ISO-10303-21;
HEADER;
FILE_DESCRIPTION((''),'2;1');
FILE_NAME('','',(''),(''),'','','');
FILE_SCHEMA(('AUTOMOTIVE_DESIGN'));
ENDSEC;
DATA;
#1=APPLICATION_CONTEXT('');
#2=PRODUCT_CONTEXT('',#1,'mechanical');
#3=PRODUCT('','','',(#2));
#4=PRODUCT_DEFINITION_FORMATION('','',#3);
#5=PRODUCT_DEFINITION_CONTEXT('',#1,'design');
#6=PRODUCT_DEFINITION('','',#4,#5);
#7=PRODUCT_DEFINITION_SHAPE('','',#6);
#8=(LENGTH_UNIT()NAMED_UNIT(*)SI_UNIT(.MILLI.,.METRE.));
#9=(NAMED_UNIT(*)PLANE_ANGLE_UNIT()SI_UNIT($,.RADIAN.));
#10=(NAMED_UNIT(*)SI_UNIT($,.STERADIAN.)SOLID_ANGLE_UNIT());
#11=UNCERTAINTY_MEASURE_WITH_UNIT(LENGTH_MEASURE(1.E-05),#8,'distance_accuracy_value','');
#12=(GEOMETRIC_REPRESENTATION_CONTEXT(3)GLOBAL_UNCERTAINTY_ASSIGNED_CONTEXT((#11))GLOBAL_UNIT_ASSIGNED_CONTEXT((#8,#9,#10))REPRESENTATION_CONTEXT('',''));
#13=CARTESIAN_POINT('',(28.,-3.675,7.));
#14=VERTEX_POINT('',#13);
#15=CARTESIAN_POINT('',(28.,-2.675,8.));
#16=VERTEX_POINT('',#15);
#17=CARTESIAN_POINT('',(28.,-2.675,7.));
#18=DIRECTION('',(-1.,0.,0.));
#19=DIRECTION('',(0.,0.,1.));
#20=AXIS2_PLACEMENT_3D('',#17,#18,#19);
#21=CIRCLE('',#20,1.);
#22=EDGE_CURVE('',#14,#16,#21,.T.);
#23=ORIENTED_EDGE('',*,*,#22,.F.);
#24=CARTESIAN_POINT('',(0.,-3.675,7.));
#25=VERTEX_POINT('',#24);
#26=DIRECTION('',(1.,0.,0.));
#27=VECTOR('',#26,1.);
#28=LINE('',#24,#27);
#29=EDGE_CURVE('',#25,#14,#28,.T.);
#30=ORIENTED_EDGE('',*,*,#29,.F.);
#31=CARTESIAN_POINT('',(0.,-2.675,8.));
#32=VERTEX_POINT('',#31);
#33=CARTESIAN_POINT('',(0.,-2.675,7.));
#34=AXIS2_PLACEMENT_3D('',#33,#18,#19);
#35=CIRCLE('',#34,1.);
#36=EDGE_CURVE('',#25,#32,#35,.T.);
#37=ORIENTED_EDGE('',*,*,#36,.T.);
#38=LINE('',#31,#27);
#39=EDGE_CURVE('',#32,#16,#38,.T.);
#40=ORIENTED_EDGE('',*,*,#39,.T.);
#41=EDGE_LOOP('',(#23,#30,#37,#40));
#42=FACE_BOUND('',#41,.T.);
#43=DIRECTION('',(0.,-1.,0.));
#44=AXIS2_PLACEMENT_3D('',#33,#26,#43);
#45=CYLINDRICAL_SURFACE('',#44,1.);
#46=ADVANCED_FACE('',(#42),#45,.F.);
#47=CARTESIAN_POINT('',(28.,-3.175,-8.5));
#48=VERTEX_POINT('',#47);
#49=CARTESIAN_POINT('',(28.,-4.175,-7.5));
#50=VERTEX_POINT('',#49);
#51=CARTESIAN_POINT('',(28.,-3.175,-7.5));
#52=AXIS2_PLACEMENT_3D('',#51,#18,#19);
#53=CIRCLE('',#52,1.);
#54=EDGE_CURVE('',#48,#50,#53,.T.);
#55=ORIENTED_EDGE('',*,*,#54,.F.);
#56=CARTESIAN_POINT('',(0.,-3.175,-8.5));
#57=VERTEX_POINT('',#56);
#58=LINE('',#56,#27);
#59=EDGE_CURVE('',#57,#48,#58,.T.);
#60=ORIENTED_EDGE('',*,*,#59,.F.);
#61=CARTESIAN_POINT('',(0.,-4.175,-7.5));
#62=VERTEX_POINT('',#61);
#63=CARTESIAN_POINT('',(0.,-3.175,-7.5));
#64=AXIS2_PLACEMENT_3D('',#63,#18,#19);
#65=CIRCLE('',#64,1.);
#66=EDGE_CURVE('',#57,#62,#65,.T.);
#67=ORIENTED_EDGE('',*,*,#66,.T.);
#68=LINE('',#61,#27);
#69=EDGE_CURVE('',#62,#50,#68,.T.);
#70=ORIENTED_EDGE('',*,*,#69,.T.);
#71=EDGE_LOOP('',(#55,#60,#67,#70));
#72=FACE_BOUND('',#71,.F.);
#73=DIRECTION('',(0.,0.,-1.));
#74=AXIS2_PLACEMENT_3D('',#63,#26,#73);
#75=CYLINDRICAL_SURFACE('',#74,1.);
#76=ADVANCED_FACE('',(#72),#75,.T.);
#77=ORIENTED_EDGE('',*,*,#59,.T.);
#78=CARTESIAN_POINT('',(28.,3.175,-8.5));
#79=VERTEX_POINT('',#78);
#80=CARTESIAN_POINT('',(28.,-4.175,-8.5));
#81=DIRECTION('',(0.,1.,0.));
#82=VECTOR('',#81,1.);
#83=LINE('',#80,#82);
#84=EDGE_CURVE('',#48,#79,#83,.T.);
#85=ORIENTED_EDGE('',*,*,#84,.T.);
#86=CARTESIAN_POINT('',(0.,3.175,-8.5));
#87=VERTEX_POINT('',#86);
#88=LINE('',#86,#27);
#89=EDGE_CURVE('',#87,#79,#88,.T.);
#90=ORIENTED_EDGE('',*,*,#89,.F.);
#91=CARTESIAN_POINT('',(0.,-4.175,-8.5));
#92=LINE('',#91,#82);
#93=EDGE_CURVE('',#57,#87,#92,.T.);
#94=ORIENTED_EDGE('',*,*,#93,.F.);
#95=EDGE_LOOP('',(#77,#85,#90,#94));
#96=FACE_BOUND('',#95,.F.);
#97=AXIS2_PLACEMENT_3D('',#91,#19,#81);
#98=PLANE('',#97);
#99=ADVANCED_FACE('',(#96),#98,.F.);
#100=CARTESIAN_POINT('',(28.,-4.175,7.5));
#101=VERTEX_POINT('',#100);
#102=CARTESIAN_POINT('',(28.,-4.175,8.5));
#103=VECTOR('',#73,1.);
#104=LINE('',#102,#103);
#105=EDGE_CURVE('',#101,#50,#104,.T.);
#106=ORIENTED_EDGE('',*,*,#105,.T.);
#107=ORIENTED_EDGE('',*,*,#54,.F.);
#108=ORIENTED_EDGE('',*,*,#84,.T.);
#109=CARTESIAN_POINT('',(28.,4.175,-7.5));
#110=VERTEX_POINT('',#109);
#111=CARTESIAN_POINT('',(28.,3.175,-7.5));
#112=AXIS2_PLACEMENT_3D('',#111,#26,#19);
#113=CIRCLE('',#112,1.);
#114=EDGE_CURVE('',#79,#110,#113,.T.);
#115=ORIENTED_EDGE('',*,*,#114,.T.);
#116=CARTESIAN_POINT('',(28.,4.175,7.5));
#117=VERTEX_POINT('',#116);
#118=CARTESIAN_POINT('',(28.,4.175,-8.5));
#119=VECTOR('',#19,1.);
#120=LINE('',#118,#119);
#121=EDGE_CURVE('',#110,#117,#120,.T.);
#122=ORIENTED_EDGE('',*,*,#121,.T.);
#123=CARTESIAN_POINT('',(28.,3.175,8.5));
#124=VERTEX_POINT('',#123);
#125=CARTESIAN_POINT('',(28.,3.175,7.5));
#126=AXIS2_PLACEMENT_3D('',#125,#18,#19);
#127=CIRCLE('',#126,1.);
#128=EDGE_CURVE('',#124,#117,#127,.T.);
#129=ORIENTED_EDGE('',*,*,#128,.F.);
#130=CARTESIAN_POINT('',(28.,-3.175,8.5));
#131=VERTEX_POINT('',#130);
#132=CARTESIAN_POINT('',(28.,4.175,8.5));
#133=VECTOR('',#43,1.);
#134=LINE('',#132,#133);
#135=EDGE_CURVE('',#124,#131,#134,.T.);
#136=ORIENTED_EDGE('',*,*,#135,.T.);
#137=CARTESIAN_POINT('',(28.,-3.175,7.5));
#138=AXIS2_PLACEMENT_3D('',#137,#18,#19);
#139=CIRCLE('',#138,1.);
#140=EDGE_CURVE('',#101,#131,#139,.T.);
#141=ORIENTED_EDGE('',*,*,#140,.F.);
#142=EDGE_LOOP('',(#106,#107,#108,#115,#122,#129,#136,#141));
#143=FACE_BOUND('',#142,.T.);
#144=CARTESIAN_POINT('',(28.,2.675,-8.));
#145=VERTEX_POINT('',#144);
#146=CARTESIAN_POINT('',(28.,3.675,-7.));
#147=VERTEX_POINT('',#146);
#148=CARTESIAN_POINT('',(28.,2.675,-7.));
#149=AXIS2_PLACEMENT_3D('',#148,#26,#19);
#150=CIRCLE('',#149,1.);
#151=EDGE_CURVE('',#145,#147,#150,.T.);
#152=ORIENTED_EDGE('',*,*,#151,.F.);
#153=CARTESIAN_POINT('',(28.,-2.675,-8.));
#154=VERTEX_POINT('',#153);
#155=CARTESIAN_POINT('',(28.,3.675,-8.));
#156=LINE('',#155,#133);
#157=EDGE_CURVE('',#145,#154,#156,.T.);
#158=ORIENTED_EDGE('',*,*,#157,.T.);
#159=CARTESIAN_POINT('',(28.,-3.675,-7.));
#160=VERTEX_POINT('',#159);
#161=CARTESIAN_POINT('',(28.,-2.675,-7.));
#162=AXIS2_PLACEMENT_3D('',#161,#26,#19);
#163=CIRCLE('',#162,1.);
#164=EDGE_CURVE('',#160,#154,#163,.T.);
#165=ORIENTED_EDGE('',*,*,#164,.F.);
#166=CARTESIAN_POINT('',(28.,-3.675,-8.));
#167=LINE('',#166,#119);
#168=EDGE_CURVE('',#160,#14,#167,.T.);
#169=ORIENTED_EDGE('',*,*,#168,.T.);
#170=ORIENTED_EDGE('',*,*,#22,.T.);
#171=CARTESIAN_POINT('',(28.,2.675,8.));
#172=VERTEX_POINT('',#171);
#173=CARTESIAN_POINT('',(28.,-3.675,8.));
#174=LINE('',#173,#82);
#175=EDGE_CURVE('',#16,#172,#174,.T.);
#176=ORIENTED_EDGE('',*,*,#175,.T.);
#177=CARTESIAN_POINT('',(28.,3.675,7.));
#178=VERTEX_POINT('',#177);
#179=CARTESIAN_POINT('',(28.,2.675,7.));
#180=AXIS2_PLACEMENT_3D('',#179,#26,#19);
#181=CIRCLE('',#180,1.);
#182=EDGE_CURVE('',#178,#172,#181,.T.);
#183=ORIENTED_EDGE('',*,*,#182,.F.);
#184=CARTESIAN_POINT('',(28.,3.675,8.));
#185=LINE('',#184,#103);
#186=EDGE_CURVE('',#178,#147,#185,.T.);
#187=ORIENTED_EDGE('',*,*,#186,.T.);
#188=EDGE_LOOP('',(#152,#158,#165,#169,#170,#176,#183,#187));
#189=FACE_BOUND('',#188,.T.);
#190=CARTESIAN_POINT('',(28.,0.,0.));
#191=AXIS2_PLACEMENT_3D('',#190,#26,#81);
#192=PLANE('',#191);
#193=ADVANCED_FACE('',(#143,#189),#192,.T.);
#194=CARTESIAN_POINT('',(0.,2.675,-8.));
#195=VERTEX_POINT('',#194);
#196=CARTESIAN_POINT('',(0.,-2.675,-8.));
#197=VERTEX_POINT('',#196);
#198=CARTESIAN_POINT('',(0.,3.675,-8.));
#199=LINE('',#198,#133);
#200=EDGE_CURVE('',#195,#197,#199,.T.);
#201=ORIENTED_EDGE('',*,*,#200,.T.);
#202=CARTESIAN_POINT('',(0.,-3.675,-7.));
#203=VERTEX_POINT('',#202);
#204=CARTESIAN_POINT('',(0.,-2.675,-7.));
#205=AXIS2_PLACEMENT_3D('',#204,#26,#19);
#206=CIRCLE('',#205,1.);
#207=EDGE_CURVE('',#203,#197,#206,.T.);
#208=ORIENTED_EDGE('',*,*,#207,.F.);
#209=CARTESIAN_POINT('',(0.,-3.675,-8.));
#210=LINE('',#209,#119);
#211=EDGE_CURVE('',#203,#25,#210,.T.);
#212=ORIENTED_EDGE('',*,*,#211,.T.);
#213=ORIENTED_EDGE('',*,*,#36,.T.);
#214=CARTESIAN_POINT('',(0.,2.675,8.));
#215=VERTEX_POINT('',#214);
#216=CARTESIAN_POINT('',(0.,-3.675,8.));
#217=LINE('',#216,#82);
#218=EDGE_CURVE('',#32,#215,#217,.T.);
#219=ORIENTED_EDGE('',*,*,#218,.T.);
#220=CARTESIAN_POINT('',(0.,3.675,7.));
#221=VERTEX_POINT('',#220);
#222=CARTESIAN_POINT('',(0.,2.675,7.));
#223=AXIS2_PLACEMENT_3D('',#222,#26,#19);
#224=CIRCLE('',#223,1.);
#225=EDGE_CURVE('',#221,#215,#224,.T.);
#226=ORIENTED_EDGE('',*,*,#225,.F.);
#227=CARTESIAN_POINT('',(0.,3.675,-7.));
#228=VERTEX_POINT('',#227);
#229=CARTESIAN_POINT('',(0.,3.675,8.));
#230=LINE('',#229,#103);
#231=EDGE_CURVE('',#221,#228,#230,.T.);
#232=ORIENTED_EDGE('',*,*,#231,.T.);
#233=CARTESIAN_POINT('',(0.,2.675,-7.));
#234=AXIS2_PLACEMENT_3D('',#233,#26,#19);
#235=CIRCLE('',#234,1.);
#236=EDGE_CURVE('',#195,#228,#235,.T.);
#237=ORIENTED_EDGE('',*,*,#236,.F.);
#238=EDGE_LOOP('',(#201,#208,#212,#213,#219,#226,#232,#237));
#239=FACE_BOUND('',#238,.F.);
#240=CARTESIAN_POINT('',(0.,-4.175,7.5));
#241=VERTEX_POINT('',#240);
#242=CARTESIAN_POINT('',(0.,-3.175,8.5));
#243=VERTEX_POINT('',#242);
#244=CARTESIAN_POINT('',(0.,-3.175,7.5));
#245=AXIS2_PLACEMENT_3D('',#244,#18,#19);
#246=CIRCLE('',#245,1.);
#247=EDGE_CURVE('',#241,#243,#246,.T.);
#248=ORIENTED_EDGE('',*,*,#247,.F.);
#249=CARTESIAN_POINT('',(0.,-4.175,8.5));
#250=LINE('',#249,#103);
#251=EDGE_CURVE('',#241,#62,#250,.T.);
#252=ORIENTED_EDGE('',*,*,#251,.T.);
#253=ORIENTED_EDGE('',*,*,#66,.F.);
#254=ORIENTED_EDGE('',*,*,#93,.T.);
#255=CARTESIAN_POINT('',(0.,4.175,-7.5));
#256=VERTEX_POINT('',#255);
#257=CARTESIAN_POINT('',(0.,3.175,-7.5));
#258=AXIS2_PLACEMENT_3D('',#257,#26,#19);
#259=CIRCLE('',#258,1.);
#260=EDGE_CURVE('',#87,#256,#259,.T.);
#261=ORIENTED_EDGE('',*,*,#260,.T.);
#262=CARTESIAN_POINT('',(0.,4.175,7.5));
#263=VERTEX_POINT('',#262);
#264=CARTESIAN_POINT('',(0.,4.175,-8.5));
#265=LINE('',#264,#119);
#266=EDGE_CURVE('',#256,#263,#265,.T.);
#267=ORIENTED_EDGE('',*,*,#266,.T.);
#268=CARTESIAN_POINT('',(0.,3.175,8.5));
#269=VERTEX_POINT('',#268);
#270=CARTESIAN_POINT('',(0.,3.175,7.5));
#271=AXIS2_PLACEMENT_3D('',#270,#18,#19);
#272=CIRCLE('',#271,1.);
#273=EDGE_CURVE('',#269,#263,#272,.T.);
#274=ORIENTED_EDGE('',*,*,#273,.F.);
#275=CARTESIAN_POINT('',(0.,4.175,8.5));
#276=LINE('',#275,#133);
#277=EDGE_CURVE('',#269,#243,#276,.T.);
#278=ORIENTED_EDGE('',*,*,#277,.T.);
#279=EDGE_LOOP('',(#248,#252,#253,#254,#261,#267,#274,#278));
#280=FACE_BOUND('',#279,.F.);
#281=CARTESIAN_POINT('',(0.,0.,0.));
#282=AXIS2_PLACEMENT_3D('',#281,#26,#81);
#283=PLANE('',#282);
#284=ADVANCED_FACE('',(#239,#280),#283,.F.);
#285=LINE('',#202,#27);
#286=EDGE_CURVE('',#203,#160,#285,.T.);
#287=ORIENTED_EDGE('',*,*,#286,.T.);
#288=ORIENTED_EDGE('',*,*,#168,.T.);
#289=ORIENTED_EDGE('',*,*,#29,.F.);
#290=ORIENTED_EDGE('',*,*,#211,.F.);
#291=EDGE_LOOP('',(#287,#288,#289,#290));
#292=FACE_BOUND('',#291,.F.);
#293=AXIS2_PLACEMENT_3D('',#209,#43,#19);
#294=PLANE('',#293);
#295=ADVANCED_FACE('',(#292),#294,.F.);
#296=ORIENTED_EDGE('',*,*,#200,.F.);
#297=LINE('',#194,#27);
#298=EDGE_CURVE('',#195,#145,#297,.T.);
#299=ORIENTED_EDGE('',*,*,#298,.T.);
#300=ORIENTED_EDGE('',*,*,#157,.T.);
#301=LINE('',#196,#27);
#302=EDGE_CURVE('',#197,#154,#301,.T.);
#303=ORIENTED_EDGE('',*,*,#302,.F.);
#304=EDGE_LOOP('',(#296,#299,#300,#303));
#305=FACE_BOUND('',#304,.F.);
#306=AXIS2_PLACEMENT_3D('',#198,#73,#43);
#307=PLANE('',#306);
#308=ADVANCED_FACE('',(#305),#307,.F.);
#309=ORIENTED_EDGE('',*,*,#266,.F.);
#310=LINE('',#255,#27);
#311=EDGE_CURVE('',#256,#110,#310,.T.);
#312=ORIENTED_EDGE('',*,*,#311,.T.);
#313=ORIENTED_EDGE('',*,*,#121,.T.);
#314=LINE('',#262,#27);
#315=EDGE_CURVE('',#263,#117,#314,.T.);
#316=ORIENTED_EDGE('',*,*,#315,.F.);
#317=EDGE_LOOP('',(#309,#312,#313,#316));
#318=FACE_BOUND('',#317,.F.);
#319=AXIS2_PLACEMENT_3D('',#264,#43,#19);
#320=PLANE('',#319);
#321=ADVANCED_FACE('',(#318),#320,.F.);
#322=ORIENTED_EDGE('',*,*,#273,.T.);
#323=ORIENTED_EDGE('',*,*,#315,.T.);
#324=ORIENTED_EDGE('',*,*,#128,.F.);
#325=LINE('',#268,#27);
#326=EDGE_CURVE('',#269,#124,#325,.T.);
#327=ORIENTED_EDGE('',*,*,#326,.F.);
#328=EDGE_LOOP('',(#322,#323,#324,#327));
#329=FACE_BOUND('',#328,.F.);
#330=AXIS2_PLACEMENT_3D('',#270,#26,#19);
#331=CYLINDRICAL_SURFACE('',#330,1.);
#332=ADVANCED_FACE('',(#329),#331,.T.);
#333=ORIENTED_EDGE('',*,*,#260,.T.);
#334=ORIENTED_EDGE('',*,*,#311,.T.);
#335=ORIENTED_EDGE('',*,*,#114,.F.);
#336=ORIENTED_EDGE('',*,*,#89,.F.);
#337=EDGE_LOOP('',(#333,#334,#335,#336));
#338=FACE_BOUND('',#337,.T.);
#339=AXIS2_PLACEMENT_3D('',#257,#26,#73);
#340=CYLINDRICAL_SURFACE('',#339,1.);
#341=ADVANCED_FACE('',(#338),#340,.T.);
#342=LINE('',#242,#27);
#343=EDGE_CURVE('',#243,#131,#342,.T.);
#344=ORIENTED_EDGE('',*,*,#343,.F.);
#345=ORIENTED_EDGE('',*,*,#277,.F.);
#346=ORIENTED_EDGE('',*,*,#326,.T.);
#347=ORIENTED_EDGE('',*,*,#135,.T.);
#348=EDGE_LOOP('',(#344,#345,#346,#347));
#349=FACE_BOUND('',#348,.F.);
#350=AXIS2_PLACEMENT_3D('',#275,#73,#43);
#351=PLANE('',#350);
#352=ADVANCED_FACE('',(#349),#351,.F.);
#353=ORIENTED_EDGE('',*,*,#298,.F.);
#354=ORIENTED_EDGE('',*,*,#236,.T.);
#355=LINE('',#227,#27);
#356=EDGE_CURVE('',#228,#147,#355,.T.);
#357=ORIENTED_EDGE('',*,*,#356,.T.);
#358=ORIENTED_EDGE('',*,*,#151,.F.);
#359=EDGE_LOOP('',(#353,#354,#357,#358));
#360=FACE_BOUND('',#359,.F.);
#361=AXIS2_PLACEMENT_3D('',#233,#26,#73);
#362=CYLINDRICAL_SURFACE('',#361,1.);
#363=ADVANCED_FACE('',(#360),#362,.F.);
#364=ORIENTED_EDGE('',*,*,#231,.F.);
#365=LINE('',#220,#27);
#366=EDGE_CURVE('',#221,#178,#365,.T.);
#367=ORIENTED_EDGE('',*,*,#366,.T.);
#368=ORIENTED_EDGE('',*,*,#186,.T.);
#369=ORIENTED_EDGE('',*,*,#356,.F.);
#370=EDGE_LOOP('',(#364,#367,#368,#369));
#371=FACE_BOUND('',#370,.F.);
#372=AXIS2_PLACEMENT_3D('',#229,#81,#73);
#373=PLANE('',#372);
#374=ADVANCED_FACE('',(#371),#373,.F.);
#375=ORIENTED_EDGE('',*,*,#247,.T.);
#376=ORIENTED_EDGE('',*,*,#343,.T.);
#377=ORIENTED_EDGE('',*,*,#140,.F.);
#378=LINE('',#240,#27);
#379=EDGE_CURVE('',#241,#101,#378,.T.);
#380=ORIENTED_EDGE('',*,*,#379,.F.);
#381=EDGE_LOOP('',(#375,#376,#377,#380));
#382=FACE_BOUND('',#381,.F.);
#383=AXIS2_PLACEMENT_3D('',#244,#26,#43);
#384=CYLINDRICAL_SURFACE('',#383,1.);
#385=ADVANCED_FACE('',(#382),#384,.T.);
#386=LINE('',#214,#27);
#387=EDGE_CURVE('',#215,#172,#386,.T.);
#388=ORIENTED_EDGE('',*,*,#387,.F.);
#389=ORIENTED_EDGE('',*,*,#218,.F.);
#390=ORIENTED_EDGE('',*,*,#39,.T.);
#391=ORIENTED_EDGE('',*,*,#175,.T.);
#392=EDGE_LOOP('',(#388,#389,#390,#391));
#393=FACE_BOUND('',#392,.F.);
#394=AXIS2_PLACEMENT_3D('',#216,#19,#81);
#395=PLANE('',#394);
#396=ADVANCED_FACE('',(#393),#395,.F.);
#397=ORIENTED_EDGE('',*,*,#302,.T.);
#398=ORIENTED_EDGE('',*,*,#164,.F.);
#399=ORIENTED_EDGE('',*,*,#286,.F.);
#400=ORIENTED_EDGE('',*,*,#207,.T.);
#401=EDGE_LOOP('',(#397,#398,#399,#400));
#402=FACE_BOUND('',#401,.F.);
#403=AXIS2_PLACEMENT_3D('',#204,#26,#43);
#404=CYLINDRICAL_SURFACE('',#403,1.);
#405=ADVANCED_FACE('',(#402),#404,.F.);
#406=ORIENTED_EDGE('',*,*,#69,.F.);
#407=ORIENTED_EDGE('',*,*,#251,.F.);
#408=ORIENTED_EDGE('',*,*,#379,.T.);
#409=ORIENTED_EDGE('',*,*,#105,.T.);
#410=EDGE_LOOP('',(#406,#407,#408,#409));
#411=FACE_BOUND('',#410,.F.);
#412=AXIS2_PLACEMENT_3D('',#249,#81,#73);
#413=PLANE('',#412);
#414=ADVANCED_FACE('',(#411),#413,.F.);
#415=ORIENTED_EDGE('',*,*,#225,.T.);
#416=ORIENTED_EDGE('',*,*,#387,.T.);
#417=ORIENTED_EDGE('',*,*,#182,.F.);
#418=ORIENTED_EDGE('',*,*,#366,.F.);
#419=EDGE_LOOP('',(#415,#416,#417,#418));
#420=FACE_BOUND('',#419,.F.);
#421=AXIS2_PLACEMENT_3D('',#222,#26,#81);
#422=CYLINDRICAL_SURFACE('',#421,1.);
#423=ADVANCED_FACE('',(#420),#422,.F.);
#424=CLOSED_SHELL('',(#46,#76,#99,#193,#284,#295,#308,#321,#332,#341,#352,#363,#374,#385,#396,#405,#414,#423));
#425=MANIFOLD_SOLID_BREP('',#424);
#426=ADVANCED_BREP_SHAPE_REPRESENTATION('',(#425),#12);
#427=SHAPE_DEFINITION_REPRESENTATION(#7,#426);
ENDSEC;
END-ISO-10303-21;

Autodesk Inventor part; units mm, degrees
ref_plane "YZ Plane" through (0, 0, 0) normal (1, 0, 0) x (0, 1, 0)
ref_plane "XZ Plane" through (0, 0, 0) normal (0, 1, 0) x (-1, 0, 0)
ref_plane "XY Plane" through (0, 0, 0) normal (0, 0, 1) x (1, 0, 0)
sketch "Sketch1" plane through (0, 0, 0) normal (1, 0, 0) x (0, 1, 0)
  line L0 (-3.675, 8) -> (3.675, 8)
  line L1 (3.675, 8) -> (3.675, -8)
  line L2 (3.675, -8) -> (-3.675, -8)
  line L3 (-3.675, -8) -> (-3.675, 8)
  line L4 (-3.675, 8) -> (3.675, -8) construction
  line L5 (3.675, 8) -> (-3.675, -8) construction
  line L6 (4.175, -8.5) -> (4.175, 8.5)
  line L7 (4.175, 8.5) -> (-4.175, 8.5)
  line L8 (-4.175, 8.5) -> (-4.175, -8.5)
  line L9 (-4.175, -8.5) -> (4.175, -8.5)
  point P0 (0, 0)
  dimension "d0" = 7.35
  dimension "d1" = 16
  dimension "d2" = 0.5
extrude "Extrusion1" add sketch "Sketch1" along normal blind 28
fillet "Fillet1" radius 1 8 edges at (14, -3.675, -8) (14, 3.675, -8) (14, 4.175, -8.5) (14, 4.175, 8.5) (14, 3.675, 8) (14, -4.175, -8.5) (14, -3.675, 8) (14, -4.175, 8.5)
properties part number "HeatShrink" material "Rubber, Silicone"
